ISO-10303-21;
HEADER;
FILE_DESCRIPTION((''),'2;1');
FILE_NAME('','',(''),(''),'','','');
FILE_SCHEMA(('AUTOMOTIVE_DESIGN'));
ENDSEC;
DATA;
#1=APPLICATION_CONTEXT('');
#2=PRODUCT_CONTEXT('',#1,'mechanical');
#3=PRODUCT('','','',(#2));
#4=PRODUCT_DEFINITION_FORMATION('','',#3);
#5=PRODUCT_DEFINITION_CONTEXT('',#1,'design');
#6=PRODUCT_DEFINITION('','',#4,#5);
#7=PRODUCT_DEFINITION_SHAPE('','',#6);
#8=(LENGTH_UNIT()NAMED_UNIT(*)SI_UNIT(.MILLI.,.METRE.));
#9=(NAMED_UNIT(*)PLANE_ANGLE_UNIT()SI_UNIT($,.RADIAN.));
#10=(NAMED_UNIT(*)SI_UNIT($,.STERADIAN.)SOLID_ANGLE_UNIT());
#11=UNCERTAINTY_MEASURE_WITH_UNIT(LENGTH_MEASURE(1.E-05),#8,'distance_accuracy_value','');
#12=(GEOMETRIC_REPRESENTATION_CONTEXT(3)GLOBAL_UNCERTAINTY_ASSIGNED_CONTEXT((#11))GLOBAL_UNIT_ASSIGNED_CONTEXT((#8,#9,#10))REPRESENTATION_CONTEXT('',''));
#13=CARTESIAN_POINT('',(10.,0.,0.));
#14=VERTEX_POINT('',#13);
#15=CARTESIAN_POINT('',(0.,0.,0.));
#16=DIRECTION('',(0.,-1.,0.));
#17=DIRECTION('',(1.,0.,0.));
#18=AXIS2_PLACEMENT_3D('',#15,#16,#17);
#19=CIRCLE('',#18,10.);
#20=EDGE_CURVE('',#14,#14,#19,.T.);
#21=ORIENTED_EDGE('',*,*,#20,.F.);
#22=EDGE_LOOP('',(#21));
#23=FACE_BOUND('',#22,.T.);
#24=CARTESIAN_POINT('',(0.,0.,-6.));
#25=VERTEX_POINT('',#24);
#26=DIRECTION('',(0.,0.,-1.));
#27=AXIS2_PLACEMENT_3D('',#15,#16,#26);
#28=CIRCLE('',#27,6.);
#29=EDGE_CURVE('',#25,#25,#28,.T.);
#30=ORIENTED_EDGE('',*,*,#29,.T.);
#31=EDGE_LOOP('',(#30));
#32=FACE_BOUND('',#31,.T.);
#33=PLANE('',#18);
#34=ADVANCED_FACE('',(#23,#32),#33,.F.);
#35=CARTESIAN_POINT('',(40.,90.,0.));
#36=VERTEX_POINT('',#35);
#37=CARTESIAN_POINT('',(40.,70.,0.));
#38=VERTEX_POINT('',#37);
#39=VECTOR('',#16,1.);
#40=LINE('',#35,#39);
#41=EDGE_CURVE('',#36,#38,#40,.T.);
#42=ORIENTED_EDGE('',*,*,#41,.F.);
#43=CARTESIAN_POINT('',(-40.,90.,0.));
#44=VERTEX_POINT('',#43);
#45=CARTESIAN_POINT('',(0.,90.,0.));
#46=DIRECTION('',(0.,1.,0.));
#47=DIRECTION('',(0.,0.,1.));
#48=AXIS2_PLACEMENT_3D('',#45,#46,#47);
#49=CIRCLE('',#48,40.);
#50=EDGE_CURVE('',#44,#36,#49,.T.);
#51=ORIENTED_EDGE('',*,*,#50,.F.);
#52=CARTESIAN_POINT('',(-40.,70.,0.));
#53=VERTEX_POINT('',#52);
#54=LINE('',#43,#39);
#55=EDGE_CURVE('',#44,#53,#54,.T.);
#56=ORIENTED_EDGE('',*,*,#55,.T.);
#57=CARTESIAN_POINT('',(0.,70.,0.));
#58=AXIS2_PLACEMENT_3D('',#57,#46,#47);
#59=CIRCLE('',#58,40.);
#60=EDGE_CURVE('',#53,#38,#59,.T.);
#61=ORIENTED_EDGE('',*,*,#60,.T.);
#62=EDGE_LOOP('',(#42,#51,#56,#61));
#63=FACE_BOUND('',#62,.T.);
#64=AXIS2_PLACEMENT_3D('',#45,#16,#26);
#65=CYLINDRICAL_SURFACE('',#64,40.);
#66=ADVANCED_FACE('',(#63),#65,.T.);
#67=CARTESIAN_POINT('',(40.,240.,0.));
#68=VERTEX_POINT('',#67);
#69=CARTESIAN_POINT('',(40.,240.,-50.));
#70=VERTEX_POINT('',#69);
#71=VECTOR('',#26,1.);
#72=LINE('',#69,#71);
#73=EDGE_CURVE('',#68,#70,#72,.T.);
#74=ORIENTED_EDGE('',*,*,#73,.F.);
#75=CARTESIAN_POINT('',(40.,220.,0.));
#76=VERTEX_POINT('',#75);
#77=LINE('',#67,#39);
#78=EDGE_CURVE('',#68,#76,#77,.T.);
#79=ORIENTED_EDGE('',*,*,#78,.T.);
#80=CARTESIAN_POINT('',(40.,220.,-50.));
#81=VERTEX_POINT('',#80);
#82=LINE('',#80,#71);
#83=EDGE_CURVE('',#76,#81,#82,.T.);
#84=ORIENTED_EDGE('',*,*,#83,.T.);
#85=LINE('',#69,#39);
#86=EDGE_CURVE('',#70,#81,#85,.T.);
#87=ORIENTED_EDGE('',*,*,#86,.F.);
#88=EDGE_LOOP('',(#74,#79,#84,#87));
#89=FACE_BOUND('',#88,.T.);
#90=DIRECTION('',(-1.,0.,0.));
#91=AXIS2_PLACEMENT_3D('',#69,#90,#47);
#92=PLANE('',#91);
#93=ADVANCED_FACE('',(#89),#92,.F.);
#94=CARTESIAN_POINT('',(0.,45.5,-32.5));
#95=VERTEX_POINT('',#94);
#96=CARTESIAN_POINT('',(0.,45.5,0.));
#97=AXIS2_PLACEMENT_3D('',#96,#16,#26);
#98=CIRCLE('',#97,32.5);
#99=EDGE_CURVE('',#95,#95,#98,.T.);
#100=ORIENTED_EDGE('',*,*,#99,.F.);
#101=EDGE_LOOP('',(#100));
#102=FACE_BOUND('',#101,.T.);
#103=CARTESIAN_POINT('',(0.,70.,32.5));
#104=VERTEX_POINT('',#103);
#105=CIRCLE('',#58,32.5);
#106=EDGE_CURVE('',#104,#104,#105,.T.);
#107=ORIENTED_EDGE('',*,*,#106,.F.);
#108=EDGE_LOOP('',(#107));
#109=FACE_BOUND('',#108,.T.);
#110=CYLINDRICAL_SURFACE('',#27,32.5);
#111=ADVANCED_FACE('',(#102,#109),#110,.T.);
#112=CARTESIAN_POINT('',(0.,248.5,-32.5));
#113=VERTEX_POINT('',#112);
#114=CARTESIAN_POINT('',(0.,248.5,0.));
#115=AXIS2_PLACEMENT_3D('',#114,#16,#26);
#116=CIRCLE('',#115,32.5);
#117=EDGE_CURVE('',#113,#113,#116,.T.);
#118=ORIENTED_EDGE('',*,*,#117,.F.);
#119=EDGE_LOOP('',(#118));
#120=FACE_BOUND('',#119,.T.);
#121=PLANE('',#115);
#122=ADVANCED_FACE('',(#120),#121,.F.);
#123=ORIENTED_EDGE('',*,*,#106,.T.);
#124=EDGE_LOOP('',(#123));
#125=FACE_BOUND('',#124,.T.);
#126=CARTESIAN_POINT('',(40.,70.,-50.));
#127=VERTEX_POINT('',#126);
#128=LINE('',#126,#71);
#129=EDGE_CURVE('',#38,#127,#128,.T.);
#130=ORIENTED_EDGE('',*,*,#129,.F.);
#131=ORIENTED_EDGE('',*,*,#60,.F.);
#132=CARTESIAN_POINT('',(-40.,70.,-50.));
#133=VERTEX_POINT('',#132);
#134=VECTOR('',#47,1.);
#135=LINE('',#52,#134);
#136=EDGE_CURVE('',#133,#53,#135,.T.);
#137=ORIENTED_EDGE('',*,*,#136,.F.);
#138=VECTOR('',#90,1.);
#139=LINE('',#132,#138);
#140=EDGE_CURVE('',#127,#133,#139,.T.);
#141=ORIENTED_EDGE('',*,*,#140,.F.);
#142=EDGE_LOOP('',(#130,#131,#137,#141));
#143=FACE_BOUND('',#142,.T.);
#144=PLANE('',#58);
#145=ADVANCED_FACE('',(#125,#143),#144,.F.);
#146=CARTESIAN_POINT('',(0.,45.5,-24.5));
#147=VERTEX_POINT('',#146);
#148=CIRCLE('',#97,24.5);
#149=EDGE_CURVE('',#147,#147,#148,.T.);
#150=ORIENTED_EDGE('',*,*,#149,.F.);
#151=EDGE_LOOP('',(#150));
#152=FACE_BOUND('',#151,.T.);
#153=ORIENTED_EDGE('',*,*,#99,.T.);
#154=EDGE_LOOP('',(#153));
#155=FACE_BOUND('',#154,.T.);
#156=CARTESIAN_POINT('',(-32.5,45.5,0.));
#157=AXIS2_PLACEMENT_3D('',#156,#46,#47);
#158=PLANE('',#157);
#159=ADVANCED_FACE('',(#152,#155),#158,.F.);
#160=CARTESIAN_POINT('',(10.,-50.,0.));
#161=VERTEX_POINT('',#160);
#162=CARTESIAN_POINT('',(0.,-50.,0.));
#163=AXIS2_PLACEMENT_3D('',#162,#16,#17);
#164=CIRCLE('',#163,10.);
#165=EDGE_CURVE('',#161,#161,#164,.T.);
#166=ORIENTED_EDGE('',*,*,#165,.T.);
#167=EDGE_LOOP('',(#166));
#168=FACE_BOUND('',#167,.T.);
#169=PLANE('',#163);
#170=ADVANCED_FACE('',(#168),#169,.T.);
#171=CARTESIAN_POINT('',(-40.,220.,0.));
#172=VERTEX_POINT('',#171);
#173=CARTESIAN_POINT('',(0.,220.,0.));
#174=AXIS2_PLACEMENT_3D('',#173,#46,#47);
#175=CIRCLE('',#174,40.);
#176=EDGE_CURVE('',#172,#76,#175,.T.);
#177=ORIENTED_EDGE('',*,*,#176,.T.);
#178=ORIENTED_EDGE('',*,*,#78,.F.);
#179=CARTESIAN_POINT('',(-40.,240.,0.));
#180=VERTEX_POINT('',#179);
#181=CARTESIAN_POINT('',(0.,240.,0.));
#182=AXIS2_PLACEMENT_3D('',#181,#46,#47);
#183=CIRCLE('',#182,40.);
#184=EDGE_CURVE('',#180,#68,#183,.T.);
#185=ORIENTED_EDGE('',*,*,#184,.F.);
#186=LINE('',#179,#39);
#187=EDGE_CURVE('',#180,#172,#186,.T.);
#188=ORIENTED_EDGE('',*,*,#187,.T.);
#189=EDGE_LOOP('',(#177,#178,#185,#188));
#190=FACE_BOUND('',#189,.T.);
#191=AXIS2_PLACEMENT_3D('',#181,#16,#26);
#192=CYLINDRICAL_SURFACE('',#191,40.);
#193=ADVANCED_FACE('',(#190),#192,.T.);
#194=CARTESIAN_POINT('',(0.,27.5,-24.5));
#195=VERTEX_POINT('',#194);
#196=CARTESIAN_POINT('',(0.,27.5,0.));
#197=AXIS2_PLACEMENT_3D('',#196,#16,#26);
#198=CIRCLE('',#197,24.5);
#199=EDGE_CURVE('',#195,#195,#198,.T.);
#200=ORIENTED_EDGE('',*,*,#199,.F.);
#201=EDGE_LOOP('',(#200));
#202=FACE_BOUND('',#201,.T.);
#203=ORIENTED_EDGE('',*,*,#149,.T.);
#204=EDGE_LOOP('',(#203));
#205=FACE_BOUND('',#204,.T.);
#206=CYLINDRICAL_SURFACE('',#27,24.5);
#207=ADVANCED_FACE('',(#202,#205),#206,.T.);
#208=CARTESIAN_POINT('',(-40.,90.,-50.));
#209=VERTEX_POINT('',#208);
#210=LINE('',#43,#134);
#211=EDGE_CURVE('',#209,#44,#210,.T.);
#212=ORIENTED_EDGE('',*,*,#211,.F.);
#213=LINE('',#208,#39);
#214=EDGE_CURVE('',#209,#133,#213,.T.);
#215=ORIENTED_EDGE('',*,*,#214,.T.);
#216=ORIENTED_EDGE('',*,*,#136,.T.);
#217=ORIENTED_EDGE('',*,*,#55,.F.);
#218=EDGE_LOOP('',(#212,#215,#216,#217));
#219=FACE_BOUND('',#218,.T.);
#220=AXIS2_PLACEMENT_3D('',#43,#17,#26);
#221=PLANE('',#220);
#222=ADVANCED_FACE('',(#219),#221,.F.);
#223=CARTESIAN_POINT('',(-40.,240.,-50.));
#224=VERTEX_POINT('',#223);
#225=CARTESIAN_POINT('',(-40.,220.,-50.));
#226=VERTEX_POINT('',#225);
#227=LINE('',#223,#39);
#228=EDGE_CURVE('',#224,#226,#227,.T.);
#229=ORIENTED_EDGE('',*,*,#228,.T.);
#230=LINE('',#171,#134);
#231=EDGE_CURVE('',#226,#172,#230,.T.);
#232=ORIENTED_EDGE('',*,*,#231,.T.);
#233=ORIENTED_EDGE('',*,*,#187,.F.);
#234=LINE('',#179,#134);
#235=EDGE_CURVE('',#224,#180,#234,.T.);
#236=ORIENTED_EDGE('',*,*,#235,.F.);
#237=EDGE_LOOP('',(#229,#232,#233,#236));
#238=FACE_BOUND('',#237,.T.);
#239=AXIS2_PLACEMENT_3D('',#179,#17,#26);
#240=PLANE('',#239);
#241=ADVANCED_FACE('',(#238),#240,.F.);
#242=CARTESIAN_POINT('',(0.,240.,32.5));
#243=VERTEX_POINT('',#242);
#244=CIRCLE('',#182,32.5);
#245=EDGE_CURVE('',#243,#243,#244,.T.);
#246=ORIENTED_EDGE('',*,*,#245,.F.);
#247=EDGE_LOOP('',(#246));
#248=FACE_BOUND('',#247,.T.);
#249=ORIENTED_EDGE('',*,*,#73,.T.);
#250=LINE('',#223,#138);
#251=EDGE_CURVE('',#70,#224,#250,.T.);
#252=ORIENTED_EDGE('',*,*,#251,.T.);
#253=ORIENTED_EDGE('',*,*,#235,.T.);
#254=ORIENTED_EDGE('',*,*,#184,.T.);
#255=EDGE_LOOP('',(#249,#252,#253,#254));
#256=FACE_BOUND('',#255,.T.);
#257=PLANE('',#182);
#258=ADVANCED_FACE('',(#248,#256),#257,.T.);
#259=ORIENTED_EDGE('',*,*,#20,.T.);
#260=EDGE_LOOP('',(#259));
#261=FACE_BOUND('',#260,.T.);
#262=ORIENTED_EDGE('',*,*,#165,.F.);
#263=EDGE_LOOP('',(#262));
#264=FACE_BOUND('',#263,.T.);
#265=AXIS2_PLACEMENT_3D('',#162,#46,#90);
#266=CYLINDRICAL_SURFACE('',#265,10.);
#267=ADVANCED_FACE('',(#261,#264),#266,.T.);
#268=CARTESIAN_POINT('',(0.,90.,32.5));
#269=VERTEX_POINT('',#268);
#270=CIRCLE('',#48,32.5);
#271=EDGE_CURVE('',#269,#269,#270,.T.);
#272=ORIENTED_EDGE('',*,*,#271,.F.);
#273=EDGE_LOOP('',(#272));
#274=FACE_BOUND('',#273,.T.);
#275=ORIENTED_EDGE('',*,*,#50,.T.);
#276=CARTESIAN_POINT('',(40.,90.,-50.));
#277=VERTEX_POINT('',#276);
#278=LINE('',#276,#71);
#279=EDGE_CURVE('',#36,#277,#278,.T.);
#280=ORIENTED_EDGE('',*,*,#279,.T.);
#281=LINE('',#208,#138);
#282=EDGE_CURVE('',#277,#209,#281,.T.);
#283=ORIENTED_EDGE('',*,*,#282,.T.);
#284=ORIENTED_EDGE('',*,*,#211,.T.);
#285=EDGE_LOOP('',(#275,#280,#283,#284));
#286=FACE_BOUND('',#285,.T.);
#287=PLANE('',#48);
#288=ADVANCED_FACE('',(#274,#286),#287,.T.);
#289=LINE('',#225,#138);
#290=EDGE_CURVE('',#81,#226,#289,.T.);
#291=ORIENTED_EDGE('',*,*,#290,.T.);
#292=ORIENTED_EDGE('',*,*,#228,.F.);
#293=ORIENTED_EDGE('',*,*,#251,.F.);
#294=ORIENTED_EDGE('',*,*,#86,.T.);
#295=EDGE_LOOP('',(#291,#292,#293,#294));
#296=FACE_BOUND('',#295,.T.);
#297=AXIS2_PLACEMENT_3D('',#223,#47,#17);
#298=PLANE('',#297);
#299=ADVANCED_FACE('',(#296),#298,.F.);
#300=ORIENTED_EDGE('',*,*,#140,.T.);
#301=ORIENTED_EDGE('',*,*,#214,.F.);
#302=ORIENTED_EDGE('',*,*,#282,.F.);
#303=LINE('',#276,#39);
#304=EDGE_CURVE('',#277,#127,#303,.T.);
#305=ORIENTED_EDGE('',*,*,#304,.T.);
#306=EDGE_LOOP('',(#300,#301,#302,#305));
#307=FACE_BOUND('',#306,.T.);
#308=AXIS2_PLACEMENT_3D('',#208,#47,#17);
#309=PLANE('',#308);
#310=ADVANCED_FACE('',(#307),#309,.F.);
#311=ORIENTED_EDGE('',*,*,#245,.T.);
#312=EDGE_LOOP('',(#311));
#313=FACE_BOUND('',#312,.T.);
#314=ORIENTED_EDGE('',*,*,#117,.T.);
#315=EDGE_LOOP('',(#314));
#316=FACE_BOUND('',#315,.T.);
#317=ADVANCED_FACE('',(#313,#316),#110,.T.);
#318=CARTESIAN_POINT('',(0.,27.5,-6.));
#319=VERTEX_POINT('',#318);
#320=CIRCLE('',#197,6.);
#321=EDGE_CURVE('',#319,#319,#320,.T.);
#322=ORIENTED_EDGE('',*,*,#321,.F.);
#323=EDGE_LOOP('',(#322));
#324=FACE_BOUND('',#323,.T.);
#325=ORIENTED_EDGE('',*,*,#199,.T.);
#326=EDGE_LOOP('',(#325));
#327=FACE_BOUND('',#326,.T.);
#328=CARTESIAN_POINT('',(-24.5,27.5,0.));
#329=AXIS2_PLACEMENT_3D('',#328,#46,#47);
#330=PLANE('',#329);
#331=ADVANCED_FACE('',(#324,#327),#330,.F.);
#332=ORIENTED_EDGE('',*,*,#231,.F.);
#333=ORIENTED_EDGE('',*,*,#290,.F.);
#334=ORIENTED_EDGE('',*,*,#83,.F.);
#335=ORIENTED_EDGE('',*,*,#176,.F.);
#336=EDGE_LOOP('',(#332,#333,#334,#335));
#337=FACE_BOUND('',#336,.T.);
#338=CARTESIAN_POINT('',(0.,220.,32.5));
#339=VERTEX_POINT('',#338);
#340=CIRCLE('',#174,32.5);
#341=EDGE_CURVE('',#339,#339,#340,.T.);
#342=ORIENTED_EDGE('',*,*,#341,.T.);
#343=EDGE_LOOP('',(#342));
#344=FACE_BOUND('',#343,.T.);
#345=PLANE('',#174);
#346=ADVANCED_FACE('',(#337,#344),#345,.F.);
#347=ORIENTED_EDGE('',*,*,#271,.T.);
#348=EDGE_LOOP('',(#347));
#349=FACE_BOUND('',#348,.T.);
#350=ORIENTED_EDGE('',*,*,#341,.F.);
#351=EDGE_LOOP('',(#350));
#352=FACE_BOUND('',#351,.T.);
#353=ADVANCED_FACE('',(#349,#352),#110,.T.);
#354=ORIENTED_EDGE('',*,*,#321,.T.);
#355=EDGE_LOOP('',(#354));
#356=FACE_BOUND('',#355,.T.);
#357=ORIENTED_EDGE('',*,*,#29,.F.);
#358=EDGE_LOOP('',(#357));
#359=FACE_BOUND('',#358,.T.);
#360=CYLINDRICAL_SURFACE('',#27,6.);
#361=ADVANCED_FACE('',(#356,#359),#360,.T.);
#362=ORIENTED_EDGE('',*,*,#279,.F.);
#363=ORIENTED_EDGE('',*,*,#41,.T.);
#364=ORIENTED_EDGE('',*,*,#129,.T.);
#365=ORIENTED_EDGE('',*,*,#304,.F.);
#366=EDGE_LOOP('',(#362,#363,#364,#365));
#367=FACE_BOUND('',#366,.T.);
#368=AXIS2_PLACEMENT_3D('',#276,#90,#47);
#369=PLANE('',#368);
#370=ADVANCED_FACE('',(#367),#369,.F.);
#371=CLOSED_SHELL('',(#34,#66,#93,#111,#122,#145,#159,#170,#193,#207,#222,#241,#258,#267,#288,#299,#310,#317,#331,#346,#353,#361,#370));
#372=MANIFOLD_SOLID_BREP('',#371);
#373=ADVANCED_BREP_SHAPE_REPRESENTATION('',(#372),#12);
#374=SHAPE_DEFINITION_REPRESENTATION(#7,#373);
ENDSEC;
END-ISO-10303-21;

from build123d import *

# Parameters (mm, degrees)
BOSS_EXTRUDE1_START = 70
SKETCH2_R           = 32.5
BOSS_EXTRUDE1_DEPTH = 20
LPATTERN1_COUNT     = 2
LPATTERN1_PITCH     = 150
SKETCH4_R           = 10
BOSS_EXTRUDE2_DEPTH = 50


with BuildPart() as part:
    # Sketch1 → Revolve1 (revolve)
    with BuildSketch(Plane.XY, mode=Mode.PRIVATE) as revolve1_sk:
        Polygon((0, 248.5), (-32.5, 248.5), (-32.5, 45.5), (-24.5, 45.5), (-24.5, 27.5), (-6, 27.5), (-6, 0), (0, 0), align=None)
    revolve(revolve1_sk.sketch.rotate(Axis((0, 0, 0), (0, 1, 0)), 270), axis=Axis((0, 0, 0), (0, 1, 0)))

    # Sketch2 → Boss-Extrude1 (add)
    with BuildSketch(Plane(origin=(0, 0, 0), x_dir=(1, 0, 0), z_dir=(0, 1, 0)).offset(BOSS_EXTRUDE1_START)):
        with BuildLine():
            Line((-40, 0), (-40, 50))
            Line((-40, 50), (40, 50))
            Line((40, 50), (40, 0))
            ThreePointArc((40, 0), (0, -40), (-40, 0))
        make_face()
        with Locations(Location((0, 0, 0), (0, 0, 90))):
            Circle(SKETCH2_R, mode=Mode.SUBTRACT)
    boss_extrude1 = extrude(amount=BOSS_EXTRUDE1_DEPTH)

    # LPattern1: Boss-Extrude1 ×2
    with Locations(*[(0, i * LPATTERN1_PITCH, 0) for i in range(1, LPATTERN1_COUNT)]):
        add(boss_extrude1)

    # Sketch4 → Boss-Extrude2 (add)
    with BuildSketch(Plane.XZ):
        Circle(SKETCH4_R)
    extrude(amount=BOSS_EXTRUDE2_DEPTH)


solid = part.part
